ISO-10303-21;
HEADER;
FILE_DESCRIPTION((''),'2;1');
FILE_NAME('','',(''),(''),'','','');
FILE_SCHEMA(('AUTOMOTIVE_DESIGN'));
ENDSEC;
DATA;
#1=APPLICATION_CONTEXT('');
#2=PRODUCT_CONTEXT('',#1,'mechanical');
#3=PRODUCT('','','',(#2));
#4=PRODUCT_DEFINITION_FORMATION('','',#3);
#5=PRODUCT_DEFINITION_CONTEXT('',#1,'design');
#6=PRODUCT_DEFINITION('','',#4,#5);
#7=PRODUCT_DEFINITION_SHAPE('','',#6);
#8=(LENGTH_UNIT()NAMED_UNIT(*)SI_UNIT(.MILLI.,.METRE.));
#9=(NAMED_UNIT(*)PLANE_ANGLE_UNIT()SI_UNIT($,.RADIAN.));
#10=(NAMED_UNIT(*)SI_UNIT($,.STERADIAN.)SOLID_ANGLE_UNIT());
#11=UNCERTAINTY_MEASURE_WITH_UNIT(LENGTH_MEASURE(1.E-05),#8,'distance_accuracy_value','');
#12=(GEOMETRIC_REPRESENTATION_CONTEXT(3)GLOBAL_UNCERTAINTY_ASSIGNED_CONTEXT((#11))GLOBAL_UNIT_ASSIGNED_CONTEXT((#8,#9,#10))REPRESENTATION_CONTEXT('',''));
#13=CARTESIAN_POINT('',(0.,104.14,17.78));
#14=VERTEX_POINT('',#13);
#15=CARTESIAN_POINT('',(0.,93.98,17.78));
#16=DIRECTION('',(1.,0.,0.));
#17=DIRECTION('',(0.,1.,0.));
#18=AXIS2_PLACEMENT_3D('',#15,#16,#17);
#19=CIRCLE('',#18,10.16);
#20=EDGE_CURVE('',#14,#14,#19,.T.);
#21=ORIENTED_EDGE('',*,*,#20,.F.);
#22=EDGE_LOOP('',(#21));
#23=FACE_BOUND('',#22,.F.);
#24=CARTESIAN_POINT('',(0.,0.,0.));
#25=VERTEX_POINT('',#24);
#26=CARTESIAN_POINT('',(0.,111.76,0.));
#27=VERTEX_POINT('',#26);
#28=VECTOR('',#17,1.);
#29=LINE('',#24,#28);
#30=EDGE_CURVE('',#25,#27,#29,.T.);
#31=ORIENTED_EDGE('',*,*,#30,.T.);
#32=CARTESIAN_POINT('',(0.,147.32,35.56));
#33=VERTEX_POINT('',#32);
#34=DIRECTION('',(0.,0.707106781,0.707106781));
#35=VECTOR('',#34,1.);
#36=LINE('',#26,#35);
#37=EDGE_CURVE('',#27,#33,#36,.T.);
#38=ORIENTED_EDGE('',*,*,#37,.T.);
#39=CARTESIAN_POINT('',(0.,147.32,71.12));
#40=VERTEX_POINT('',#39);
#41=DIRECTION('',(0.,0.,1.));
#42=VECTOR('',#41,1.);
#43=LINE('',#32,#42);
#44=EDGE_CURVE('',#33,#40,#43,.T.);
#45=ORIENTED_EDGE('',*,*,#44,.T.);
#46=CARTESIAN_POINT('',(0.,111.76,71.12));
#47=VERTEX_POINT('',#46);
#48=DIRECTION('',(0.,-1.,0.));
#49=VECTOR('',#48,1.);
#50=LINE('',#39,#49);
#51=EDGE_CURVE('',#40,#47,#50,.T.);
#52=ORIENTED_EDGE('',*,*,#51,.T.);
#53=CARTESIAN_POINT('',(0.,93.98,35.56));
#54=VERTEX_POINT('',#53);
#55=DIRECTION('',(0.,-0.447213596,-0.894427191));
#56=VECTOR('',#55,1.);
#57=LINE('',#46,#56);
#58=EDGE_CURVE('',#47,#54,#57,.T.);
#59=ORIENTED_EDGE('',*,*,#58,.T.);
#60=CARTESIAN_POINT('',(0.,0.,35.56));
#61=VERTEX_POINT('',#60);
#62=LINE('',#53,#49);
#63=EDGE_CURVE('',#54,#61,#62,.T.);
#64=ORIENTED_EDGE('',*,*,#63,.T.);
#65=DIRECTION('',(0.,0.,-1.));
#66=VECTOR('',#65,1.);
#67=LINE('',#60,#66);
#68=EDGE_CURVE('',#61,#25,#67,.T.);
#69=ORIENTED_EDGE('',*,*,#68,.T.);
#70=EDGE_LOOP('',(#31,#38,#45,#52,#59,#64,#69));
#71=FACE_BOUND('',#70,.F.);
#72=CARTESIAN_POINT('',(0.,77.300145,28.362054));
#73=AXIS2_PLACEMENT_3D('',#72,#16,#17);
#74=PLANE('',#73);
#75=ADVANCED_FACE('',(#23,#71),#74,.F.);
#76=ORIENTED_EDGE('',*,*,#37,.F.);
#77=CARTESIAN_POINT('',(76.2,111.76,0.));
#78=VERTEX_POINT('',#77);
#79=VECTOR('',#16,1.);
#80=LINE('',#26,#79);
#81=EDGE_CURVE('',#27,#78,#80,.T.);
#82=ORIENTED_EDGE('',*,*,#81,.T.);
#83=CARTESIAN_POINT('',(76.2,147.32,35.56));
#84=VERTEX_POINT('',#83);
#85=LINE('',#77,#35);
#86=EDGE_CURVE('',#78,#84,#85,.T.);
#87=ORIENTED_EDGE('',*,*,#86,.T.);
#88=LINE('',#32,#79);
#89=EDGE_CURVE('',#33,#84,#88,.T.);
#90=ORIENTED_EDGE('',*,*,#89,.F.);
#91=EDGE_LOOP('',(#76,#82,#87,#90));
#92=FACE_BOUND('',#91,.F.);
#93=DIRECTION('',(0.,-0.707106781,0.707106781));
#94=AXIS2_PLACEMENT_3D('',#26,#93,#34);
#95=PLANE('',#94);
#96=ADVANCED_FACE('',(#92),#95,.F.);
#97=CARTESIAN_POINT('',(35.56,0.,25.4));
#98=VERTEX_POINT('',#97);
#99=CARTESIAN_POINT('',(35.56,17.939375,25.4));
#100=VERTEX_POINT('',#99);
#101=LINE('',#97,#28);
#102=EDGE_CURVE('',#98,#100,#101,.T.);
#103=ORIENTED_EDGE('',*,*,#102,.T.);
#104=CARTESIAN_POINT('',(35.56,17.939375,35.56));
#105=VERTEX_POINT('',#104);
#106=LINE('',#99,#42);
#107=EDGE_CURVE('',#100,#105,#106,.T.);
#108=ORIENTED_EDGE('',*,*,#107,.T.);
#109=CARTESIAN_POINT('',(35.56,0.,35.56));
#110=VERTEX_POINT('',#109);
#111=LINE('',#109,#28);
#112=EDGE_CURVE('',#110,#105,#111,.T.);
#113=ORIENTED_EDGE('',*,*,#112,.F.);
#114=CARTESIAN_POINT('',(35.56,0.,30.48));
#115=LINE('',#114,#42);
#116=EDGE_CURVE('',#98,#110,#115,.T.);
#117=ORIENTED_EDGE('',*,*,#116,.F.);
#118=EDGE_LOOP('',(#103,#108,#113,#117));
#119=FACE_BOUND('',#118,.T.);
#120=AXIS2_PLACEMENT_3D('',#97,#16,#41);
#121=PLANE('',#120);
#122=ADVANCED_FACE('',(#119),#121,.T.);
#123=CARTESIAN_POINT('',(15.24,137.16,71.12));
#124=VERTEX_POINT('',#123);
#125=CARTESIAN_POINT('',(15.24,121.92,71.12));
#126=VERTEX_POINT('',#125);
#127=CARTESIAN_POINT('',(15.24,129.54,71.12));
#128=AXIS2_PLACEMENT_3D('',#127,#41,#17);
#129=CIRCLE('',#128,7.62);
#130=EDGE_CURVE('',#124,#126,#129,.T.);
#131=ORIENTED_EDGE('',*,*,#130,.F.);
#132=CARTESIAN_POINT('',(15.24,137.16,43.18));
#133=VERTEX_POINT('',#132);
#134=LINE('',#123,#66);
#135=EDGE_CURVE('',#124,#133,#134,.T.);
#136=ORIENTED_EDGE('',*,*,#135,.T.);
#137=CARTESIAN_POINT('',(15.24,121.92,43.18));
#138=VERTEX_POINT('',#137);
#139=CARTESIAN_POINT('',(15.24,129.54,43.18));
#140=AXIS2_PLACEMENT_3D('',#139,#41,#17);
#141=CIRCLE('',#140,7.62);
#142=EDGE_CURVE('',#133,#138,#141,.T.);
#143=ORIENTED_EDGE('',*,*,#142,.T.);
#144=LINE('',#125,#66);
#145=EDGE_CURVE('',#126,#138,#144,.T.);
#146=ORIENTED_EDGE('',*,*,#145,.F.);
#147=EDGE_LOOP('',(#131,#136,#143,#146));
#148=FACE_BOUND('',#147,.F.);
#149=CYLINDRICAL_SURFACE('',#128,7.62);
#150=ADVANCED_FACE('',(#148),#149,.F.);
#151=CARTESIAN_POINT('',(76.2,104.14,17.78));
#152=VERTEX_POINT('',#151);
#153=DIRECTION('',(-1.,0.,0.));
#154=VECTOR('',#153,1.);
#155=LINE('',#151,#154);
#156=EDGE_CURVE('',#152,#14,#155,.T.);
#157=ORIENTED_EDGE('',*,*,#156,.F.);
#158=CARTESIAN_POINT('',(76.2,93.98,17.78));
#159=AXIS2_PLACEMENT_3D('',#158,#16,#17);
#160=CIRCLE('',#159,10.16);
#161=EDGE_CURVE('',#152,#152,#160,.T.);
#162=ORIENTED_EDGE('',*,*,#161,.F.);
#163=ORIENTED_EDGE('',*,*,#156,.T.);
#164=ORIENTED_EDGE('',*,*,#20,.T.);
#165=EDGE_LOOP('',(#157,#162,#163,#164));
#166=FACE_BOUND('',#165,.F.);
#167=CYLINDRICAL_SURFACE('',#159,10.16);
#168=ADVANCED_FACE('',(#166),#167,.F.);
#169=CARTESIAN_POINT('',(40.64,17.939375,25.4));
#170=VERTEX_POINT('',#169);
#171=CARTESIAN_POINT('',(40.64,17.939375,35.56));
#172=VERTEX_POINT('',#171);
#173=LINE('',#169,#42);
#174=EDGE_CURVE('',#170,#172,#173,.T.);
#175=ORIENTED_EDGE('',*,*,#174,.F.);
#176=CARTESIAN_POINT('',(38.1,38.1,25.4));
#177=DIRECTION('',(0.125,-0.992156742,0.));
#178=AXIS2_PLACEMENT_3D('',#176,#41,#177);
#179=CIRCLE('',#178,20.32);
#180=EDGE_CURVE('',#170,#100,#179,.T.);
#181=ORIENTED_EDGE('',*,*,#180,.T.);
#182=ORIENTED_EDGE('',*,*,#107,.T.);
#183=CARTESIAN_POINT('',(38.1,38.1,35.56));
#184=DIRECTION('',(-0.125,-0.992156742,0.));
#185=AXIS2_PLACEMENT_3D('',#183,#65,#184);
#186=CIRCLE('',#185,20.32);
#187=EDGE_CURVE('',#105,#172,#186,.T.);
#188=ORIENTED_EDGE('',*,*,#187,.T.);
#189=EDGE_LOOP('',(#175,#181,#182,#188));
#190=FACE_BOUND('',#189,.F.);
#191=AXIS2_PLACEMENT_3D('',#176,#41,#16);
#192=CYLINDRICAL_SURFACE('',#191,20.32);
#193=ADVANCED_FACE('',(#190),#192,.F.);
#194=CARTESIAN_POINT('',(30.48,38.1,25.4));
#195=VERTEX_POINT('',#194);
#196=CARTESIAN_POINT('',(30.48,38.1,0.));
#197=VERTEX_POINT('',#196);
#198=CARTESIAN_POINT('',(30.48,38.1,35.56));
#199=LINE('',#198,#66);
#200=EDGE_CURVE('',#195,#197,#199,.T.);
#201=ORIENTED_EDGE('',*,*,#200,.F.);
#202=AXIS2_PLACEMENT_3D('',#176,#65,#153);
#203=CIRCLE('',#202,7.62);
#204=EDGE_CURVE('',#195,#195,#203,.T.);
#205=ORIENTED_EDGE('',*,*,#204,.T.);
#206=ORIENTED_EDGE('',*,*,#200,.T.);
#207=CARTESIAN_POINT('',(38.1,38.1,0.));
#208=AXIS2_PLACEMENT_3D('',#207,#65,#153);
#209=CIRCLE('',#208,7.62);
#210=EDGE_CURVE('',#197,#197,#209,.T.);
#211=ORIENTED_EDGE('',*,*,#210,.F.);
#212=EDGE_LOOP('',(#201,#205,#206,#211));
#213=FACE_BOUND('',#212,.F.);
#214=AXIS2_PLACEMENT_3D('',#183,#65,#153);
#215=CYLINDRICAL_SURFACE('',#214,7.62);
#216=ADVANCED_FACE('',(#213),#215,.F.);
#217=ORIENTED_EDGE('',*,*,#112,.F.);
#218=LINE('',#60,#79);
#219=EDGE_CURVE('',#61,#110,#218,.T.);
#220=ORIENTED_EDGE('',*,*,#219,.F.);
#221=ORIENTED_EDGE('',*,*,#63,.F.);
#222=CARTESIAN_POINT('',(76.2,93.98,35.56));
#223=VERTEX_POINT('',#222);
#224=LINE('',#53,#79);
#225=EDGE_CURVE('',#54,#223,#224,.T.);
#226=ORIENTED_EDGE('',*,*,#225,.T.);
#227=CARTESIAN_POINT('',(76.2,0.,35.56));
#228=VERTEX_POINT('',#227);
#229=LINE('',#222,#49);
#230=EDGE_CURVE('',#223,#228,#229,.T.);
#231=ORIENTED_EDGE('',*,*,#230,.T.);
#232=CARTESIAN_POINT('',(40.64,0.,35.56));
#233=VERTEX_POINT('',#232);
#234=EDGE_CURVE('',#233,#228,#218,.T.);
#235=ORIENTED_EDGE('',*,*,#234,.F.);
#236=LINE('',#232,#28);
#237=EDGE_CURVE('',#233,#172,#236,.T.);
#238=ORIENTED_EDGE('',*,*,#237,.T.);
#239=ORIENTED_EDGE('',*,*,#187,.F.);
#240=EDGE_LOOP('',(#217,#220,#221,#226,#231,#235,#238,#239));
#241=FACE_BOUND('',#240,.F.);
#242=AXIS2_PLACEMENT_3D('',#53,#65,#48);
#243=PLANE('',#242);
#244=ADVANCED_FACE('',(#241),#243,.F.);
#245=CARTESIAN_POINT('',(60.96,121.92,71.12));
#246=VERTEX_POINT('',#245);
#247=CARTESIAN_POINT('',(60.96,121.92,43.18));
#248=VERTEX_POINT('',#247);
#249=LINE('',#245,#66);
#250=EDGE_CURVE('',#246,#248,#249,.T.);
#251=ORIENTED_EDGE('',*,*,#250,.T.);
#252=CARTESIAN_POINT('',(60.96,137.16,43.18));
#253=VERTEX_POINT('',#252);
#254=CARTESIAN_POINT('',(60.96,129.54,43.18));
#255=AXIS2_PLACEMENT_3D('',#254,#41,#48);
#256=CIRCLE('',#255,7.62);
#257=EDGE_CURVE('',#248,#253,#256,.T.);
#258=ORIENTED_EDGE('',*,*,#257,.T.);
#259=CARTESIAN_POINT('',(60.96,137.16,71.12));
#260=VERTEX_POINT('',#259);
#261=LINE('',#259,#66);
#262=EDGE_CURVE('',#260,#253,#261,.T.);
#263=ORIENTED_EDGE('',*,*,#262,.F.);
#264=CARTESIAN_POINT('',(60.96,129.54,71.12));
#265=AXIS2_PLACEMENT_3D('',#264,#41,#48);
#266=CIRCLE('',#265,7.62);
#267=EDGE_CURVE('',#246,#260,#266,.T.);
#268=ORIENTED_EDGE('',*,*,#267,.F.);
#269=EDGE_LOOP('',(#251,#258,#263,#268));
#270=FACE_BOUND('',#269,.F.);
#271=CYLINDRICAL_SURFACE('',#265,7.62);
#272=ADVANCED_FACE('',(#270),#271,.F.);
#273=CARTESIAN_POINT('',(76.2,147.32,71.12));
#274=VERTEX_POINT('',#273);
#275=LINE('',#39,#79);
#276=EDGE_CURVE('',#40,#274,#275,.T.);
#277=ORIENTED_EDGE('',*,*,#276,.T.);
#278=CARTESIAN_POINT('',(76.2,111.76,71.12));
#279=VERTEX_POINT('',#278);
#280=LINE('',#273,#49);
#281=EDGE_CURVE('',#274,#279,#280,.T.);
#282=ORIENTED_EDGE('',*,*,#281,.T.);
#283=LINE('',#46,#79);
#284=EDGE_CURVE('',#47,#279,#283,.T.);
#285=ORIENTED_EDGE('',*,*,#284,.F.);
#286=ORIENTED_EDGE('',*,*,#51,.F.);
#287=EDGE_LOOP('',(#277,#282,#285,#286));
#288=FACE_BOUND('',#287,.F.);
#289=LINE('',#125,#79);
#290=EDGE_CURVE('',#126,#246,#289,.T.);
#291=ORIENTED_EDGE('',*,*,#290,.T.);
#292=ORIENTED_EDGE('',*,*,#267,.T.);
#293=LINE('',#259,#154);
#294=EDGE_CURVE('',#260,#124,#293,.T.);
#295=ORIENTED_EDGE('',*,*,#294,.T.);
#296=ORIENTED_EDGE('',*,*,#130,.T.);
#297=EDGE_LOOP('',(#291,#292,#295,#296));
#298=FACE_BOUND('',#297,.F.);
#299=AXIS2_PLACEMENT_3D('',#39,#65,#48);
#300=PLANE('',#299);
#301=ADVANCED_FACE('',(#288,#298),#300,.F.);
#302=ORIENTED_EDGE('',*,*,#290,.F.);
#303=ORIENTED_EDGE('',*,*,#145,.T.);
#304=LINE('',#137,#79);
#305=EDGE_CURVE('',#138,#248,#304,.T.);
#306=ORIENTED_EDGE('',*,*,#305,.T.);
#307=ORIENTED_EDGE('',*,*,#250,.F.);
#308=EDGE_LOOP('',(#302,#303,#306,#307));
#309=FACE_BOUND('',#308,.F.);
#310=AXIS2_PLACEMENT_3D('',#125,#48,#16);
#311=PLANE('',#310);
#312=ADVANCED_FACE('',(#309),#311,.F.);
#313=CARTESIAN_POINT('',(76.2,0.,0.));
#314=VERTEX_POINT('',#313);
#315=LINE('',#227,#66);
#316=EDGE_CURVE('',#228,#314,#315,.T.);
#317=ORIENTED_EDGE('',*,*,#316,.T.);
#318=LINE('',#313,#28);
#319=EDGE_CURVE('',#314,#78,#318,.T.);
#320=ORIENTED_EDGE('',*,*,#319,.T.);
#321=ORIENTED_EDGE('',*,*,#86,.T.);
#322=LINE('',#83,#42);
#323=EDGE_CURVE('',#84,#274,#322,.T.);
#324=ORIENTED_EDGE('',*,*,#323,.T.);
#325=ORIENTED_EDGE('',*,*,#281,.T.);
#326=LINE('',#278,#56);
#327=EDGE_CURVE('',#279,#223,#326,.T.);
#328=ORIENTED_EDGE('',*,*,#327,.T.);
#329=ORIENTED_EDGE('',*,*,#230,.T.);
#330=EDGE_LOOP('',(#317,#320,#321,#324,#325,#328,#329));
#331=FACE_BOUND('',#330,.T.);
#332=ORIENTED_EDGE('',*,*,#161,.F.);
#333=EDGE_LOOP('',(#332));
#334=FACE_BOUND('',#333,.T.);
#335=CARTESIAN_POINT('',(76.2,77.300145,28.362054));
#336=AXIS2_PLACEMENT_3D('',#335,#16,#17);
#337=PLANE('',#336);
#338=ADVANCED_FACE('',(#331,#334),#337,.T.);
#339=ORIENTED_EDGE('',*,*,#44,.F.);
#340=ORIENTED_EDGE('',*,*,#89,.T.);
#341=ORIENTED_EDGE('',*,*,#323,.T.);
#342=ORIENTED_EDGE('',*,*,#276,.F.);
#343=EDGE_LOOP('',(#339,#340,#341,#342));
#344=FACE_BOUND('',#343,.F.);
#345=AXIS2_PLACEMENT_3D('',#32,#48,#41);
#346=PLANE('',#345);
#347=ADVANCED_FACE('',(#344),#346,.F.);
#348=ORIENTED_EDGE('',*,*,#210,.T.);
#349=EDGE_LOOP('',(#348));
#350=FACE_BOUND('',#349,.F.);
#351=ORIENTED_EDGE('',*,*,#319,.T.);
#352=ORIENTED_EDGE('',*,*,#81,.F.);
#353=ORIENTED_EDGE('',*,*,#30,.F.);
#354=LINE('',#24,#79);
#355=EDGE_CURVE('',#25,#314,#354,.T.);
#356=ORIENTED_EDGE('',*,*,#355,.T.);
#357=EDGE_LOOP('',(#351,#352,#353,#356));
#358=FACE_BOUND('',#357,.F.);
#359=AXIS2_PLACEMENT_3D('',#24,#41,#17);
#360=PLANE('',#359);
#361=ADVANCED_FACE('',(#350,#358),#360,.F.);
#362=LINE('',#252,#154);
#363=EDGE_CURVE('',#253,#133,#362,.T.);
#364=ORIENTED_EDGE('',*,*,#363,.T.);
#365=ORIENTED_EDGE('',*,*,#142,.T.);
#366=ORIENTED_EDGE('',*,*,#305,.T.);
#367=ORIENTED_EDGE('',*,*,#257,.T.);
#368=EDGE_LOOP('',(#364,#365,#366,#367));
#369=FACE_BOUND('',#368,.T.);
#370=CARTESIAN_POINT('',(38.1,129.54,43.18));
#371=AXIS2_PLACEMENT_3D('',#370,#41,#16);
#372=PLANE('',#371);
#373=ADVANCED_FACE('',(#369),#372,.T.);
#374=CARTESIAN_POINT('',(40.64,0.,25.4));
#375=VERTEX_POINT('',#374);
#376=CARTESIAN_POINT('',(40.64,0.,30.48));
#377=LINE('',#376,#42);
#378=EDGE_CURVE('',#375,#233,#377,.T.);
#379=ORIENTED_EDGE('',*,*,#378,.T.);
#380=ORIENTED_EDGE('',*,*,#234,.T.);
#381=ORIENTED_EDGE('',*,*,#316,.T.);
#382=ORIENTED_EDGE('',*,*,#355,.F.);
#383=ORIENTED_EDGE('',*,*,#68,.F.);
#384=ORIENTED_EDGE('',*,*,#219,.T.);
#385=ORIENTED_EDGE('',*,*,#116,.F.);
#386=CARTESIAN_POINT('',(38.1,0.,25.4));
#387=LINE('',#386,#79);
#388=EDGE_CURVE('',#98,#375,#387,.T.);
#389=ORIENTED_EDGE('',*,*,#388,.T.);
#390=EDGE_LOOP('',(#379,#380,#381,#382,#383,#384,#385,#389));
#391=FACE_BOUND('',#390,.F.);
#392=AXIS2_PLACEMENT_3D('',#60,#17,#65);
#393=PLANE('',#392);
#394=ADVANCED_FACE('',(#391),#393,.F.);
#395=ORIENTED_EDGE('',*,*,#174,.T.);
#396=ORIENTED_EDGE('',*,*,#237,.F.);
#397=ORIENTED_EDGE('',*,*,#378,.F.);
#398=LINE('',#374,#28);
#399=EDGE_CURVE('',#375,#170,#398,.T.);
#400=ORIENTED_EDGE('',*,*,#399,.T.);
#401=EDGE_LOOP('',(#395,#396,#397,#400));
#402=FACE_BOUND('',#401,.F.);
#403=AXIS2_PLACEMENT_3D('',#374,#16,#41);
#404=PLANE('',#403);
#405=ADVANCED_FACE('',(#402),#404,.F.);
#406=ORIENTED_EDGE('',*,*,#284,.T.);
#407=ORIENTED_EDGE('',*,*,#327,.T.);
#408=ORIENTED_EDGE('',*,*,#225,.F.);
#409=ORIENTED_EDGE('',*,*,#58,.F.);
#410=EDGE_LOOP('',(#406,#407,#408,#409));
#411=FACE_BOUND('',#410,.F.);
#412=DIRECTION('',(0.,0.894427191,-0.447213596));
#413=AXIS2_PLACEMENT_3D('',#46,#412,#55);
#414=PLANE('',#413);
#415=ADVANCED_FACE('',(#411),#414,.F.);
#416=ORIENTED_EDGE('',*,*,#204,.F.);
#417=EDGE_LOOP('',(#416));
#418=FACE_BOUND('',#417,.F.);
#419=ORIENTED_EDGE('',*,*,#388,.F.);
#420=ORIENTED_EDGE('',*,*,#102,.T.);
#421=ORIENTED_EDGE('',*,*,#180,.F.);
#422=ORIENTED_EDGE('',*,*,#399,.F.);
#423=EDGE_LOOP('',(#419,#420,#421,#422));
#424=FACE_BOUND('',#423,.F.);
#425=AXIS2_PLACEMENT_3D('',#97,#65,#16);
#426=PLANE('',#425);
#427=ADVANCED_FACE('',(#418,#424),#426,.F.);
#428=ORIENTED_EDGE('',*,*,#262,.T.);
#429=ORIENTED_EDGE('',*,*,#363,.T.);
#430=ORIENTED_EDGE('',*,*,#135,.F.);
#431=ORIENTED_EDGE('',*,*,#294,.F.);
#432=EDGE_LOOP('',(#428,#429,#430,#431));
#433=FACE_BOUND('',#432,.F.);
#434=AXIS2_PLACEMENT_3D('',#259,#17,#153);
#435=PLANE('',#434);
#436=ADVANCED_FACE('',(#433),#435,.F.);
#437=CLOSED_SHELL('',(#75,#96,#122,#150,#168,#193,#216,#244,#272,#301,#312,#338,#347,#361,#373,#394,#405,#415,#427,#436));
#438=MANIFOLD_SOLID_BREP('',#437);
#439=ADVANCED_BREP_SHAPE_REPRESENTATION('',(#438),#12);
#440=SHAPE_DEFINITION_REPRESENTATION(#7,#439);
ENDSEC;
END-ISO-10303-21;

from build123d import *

# Parameters (mm, degrees)
F1_DEPTH       = 76.2
F2_R           = 10.16
F3_DEPTH       = 76.2
F5_DEPTH       = 27.94
F7_D           = 15.24
F7_CBORE_D     = 40.64
F7_CBORE_DEPTH = 10.16
F8_W           = 5.08
F8_H           = 10.16
F9_DEPTH       = 19.05


with BuildPart() as f1:
    # F0 (on Right) → F1 (new body)
    with BuildSketch(Plane.YZ):
        Polygon((0, 35.56), (0, 0), (111.76, 0), (147.32, 35.56), (147.32, 71.12), (111.76, 71.12), (93.98, 35.56), align=None)
    extrude(amount=F1_DEPTH)

    # F2 (on face) → F3 (cut, through all)
    with BuildSketch(Plane.YZ.offset(76.2)):
        with Locations((93.98, 17.78)):
            Circle(F2_R)
    extrude(amount=-F3_DEPTH, mode=Mode.SUBTRACT)

    # F4 (on face) → F5 (cut)
    with BuildSketch(Plane.XY.offset(71.12)):
        with BuildLine():
            ThreePointArc((15.24, 137.16), (7.62, 129.54), (15.24, 121.92))
            Line((15.24, 121.92), (60.96, 121.92))
            ThreePointArc((60.96, 121.92), (68.58, 129.54), (60.96, 137.16))
            Line((60.96, 137.16), (15.24, 137.16))
        make_face()
    extrude(amount=-F5_DEPTH, mode=Mode.SUBTRACT)

    # F7 (through all)
    with Locations(Plane.XY.offset(35.56)):
        with Locations((38.1, 38.1)):
            CounterBoreHole(F7_D / 2, F7_CBORE_D / 2, F7_CBORE_DEPTH)

    # F8 (on face) → F9 (cut)
    with BuildSketch(Plane.XZ):
        with Locations((38.1, 30.48)):
            Rectangle(F8_W, F8_H)
    extrude(amount=-F9_DEPTH, mode=Mode.SUBTRACT)


solid = f1.part
